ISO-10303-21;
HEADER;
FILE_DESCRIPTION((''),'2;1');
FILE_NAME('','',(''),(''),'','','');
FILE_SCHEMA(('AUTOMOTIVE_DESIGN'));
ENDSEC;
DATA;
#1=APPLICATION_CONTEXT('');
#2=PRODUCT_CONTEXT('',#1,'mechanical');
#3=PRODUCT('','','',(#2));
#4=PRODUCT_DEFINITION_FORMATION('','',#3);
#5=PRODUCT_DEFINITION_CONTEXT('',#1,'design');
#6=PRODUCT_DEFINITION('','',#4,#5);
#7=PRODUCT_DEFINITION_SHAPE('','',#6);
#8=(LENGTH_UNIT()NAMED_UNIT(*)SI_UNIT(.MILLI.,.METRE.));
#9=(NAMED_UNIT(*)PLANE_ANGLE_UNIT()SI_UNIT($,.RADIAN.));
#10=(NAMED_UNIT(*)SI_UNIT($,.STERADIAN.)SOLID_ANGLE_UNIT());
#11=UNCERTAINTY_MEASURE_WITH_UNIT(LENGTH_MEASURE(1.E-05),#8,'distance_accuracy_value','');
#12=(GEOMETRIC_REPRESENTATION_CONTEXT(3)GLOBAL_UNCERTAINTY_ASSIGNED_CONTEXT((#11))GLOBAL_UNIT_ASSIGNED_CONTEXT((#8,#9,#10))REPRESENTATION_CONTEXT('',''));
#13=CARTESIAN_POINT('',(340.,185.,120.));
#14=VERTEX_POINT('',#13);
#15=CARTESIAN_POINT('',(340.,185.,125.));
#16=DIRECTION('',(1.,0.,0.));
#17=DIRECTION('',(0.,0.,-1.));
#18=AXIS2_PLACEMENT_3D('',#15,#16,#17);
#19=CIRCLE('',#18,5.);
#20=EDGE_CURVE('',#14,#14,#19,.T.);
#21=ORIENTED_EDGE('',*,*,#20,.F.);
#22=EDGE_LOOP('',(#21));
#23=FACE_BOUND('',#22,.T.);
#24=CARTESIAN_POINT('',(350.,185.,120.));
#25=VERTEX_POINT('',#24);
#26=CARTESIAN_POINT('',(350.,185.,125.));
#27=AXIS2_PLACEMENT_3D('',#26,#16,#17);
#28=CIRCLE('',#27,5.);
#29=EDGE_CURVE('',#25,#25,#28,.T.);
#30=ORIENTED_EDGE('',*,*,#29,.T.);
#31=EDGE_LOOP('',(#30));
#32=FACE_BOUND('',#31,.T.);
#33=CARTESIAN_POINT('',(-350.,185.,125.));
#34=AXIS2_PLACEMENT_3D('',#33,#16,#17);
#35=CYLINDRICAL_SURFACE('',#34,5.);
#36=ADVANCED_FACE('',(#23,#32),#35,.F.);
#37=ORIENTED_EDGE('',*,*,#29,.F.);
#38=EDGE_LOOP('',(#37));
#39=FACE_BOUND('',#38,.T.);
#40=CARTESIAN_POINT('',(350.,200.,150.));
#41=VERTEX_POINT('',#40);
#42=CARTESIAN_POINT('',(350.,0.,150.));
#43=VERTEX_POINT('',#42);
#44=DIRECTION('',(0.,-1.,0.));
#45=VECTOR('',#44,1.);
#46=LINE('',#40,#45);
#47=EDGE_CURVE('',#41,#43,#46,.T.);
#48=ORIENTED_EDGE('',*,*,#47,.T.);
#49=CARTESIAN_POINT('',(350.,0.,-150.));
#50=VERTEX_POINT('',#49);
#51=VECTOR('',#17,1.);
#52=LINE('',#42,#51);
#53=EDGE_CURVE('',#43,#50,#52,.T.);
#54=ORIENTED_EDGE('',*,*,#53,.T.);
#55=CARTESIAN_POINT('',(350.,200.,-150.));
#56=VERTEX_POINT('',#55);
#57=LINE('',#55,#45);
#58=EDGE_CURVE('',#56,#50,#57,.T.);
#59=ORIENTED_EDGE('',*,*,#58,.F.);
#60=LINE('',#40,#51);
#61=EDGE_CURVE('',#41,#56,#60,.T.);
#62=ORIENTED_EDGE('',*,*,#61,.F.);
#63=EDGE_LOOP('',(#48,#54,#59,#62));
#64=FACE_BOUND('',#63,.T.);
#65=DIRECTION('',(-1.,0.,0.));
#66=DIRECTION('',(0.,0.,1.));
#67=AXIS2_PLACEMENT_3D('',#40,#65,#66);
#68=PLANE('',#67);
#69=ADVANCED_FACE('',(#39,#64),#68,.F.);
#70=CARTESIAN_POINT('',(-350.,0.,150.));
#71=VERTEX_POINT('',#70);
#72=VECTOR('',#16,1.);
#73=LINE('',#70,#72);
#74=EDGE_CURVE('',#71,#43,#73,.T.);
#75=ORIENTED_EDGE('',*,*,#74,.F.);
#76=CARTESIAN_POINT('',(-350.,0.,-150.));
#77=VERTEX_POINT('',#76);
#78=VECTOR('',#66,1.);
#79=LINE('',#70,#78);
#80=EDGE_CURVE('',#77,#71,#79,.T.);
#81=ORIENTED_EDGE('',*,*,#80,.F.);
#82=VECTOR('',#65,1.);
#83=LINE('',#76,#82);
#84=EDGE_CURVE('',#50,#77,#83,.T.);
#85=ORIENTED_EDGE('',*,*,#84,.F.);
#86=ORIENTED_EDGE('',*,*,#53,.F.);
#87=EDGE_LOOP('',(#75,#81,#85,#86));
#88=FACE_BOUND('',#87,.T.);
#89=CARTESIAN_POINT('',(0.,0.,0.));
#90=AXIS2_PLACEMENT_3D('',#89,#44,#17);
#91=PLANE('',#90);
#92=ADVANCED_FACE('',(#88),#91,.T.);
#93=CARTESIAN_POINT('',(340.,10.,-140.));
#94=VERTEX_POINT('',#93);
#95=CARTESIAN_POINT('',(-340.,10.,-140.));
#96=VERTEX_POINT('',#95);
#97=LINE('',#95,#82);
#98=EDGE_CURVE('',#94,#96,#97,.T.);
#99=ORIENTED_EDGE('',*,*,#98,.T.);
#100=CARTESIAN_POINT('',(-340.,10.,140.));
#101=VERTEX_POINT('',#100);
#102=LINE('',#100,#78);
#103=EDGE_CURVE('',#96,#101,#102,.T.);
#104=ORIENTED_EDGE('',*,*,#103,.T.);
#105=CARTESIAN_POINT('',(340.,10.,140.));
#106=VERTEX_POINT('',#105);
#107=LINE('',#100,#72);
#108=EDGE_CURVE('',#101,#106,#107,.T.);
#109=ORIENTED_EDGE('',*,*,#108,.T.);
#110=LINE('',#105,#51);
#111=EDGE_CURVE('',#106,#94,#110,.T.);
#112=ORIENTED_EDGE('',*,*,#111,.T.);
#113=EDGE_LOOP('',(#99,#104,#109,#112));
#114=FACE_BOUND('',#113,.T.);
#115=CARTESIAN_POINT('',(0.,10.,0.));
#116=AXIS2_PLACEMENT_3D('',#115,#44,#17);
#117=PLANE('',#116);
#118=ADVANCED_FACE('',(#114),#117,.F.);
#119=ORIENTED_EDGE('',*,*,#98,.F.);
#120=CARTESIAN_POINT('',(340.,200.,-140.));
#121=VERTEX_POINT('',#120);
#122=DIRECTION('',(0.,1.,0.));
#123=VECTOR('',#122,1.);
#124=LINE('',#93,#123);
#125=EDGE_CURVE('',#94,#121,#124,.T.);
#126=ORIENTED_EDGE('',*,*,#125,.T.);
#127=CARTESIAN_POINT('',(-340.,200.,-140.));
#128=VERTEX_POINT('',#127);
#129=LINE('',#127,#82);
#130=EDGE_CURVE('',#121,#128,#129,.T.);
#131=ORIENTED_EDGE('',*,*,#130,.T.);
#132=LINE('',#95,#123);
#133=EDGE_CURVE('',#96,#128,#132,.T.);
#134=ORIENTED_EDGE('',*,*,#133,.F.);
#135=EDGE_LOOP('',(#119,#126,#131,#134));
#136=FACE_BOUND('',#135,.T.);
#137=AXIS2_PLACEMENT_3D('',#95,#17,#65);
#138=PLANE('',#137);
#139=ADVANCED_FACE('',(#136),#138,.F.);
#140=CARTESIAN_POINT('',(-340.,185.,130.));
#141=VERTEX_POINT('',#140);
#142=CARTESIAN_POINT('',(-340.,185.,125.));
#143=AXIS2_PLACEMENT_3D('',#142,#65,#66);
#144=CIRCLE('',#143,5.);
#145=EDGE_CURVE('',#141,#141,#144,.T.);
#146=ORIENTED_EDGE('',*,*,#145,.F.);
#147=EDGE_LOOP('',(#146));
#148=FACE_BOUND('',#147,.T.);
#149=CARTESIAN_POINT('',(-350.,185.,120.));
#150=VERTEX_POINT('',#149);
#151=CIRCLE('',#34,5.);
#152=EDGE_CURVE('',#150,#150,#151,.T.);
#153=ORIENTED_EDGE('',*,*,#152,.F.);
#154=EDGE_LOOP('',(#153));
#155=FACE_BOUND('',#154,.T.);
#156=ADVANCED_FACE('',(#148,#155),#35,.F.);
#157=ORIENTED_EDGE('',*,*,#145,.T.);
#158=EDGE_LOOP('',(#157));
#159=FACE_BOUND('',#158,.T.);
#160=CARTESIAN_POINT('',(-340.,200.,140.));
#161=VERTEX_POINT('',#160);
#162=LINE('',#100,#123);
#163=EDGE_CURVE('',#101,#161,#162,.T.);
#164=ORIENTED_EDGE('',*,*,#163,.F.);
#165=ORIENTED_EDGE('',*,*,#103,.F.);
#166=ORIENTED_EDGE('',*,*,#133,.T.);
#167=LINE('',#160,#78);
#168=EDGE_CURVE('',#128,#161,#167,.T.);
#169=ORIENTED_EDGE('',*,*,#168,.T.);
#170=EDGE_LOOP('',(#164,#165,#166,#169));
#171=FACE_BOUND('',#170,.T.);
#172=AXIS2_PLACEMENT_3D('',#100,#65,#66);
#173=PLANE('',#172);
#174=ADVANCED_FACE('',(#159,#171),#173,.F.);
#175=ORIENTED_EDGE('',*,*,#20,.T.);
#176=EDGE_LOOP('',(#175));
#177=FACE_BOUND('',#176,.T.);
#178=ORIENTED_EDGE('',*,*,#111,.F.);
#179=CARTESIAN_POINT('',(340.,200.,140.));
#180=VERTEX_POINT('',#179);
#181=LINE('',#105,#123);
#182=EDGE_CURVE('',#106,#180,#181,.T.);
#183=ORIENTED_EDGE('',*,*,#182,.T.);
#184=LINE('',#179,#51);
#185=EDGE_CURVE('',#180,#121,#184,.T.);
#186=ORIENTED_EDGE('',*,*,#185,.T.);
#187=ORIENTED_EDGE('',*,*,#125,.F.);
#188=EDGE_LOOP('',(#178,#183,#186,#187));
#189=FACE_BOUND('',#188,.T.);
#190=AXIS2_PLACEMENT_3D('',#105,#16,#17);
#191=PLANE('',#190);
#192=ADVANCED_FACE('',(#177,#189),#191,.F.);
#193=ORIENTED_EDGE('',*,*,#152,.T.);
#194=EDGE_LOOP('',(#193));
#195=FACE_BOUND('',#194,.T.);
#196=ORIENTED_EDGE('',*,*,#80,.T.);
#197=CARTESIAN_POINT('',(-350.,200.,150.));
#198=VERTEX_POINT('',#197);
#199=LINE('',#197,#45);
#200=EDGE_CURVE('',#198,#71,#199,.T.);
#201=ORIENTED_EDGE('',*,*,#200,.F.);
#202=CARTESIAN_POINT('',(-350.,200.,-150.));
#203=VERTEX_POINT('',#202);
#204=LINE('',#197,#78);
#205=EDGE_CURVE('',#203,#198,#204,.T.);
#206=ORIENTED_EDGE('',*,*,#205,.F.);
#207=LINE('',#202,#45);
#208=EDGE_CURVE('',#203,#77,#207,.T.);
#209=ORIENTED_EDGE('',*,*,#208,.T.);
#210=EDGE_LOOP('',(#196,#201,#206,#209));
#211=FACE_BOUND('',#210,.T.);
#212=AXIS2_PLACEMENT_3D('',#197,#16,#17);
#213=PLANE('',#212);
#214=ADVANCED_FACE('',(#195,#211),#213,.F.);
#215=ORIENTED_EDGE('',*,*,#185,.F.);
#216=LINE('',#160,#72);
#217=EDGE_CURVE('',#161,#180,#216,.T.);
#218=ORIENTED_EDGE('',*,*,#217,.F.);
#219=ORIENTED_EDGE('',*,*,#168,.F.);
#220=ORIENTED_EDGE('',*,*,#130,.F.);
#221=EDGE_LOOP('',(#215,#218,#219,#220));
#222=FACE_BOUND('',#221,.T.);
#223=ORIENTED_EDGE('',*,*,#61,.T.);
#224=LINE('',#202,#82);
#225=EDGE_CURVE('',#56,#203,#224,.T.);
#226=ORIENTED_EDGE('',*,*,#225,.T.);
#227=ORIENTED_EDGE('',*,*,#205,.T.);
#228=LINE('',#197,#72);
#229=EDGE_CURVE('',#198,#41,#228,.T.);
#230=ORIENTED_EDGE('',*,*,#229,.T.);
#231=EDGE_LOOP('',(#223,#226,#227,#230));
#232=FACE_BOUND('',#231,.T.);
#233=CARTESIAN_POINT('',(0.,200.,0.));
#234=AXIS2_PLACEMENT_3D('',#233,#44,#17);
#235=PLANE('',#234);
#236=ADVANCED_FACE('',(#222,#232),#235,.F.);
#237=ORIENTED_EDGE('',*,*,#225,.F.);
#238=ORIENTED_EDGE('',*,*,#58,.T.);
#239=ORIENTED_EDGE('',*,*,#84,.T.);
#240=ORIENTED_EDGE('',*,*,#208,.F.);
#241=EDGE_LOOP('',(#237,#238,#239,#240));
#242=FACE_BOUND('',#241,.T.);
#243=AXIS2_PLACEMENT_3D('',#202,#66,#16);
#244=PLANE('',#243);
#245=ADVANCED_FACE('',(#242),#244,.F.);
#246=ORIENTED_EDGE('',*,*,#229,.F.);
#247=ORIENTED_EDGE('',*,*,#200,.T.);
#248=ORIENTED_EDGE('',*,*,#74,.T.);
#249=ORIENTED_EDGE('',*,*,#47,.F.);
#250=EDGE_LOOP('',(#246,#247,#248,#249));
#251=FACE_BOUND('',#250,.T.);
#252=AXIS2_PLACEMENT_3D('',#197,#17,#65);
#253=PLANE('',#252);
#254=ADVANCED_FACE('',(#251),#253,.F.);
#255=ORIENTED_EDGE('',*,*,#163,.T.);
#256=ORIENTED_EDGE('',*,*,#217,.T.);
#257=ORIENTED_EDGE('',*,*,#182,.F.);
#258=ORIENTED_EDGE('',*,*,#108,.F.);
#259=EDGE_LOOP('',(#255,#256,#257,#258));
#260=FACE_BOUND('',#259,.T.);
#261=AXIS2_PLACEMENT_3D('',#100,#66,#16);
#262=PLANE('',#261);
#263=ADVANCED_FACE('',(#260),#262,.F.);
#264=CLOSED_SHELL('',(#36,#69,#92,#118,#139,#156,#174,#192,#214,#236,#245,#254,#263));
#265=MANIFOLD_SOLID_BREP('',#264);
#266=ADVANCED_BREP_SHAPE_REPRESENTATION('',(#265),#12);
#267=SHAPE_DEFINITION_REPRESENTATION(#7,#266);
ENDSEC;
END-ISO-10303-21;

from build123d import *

# Parameters (mm, degrees)
CROQUIS1_W              = 700
CROQUIS1_H              = 300
SALIENTE_EXTRUIR1_DEPTH = 200
CROQUIS2_W              = 680
CROQUIS2_H              = 280
CORTAR_EXTRUIR1_DEPTH   = 190
CROQUIS3_R              = 5
CORTAR_EXTRUIR2_DEPTH   = 700


with BuildPart() as part:
    # Croquis1 → Saliente-Extruir1 (new body)
    with BuildSketch(Plane(origin=(0, 0, 0), x_dir=(1, 0, 0), z_dir=(0, 1, 0))):
        Rectangle(CROQUIS1_W, CROQUIS1_H)
    extrude(amount=SALIENTE_EXTRUIR1_DEPTH)

    # Croquis2 → Cortar-Extruir1 (cut)
    with BuildSketch(Plane(origin=(0, 200, 0), x_dir=(1, 0, 0), z_dir=(0, 1, 0))):
        Rectangle(CROQUIS2_W, CROQUIS2_H)
    extrude(amount=-CORTAR_EXTRUIR1_DEPTH, mode=Mode.SUBTRACT)

    # Croquis3 → Cortar-Extruir2 (cut)
    with BuildSketch(Plane(origin=(350, 0, 0), x_dir=(0, 0, -1), z_dir=(1, 0, 0))):
        with Locations((-125, 185)):
            Circle(CROQUIS3_R)
    extrude(amount=-CORTAR_EXTRUIR2_DEPTH, mode=Mode.SUBTRACT)


solid = part.part
